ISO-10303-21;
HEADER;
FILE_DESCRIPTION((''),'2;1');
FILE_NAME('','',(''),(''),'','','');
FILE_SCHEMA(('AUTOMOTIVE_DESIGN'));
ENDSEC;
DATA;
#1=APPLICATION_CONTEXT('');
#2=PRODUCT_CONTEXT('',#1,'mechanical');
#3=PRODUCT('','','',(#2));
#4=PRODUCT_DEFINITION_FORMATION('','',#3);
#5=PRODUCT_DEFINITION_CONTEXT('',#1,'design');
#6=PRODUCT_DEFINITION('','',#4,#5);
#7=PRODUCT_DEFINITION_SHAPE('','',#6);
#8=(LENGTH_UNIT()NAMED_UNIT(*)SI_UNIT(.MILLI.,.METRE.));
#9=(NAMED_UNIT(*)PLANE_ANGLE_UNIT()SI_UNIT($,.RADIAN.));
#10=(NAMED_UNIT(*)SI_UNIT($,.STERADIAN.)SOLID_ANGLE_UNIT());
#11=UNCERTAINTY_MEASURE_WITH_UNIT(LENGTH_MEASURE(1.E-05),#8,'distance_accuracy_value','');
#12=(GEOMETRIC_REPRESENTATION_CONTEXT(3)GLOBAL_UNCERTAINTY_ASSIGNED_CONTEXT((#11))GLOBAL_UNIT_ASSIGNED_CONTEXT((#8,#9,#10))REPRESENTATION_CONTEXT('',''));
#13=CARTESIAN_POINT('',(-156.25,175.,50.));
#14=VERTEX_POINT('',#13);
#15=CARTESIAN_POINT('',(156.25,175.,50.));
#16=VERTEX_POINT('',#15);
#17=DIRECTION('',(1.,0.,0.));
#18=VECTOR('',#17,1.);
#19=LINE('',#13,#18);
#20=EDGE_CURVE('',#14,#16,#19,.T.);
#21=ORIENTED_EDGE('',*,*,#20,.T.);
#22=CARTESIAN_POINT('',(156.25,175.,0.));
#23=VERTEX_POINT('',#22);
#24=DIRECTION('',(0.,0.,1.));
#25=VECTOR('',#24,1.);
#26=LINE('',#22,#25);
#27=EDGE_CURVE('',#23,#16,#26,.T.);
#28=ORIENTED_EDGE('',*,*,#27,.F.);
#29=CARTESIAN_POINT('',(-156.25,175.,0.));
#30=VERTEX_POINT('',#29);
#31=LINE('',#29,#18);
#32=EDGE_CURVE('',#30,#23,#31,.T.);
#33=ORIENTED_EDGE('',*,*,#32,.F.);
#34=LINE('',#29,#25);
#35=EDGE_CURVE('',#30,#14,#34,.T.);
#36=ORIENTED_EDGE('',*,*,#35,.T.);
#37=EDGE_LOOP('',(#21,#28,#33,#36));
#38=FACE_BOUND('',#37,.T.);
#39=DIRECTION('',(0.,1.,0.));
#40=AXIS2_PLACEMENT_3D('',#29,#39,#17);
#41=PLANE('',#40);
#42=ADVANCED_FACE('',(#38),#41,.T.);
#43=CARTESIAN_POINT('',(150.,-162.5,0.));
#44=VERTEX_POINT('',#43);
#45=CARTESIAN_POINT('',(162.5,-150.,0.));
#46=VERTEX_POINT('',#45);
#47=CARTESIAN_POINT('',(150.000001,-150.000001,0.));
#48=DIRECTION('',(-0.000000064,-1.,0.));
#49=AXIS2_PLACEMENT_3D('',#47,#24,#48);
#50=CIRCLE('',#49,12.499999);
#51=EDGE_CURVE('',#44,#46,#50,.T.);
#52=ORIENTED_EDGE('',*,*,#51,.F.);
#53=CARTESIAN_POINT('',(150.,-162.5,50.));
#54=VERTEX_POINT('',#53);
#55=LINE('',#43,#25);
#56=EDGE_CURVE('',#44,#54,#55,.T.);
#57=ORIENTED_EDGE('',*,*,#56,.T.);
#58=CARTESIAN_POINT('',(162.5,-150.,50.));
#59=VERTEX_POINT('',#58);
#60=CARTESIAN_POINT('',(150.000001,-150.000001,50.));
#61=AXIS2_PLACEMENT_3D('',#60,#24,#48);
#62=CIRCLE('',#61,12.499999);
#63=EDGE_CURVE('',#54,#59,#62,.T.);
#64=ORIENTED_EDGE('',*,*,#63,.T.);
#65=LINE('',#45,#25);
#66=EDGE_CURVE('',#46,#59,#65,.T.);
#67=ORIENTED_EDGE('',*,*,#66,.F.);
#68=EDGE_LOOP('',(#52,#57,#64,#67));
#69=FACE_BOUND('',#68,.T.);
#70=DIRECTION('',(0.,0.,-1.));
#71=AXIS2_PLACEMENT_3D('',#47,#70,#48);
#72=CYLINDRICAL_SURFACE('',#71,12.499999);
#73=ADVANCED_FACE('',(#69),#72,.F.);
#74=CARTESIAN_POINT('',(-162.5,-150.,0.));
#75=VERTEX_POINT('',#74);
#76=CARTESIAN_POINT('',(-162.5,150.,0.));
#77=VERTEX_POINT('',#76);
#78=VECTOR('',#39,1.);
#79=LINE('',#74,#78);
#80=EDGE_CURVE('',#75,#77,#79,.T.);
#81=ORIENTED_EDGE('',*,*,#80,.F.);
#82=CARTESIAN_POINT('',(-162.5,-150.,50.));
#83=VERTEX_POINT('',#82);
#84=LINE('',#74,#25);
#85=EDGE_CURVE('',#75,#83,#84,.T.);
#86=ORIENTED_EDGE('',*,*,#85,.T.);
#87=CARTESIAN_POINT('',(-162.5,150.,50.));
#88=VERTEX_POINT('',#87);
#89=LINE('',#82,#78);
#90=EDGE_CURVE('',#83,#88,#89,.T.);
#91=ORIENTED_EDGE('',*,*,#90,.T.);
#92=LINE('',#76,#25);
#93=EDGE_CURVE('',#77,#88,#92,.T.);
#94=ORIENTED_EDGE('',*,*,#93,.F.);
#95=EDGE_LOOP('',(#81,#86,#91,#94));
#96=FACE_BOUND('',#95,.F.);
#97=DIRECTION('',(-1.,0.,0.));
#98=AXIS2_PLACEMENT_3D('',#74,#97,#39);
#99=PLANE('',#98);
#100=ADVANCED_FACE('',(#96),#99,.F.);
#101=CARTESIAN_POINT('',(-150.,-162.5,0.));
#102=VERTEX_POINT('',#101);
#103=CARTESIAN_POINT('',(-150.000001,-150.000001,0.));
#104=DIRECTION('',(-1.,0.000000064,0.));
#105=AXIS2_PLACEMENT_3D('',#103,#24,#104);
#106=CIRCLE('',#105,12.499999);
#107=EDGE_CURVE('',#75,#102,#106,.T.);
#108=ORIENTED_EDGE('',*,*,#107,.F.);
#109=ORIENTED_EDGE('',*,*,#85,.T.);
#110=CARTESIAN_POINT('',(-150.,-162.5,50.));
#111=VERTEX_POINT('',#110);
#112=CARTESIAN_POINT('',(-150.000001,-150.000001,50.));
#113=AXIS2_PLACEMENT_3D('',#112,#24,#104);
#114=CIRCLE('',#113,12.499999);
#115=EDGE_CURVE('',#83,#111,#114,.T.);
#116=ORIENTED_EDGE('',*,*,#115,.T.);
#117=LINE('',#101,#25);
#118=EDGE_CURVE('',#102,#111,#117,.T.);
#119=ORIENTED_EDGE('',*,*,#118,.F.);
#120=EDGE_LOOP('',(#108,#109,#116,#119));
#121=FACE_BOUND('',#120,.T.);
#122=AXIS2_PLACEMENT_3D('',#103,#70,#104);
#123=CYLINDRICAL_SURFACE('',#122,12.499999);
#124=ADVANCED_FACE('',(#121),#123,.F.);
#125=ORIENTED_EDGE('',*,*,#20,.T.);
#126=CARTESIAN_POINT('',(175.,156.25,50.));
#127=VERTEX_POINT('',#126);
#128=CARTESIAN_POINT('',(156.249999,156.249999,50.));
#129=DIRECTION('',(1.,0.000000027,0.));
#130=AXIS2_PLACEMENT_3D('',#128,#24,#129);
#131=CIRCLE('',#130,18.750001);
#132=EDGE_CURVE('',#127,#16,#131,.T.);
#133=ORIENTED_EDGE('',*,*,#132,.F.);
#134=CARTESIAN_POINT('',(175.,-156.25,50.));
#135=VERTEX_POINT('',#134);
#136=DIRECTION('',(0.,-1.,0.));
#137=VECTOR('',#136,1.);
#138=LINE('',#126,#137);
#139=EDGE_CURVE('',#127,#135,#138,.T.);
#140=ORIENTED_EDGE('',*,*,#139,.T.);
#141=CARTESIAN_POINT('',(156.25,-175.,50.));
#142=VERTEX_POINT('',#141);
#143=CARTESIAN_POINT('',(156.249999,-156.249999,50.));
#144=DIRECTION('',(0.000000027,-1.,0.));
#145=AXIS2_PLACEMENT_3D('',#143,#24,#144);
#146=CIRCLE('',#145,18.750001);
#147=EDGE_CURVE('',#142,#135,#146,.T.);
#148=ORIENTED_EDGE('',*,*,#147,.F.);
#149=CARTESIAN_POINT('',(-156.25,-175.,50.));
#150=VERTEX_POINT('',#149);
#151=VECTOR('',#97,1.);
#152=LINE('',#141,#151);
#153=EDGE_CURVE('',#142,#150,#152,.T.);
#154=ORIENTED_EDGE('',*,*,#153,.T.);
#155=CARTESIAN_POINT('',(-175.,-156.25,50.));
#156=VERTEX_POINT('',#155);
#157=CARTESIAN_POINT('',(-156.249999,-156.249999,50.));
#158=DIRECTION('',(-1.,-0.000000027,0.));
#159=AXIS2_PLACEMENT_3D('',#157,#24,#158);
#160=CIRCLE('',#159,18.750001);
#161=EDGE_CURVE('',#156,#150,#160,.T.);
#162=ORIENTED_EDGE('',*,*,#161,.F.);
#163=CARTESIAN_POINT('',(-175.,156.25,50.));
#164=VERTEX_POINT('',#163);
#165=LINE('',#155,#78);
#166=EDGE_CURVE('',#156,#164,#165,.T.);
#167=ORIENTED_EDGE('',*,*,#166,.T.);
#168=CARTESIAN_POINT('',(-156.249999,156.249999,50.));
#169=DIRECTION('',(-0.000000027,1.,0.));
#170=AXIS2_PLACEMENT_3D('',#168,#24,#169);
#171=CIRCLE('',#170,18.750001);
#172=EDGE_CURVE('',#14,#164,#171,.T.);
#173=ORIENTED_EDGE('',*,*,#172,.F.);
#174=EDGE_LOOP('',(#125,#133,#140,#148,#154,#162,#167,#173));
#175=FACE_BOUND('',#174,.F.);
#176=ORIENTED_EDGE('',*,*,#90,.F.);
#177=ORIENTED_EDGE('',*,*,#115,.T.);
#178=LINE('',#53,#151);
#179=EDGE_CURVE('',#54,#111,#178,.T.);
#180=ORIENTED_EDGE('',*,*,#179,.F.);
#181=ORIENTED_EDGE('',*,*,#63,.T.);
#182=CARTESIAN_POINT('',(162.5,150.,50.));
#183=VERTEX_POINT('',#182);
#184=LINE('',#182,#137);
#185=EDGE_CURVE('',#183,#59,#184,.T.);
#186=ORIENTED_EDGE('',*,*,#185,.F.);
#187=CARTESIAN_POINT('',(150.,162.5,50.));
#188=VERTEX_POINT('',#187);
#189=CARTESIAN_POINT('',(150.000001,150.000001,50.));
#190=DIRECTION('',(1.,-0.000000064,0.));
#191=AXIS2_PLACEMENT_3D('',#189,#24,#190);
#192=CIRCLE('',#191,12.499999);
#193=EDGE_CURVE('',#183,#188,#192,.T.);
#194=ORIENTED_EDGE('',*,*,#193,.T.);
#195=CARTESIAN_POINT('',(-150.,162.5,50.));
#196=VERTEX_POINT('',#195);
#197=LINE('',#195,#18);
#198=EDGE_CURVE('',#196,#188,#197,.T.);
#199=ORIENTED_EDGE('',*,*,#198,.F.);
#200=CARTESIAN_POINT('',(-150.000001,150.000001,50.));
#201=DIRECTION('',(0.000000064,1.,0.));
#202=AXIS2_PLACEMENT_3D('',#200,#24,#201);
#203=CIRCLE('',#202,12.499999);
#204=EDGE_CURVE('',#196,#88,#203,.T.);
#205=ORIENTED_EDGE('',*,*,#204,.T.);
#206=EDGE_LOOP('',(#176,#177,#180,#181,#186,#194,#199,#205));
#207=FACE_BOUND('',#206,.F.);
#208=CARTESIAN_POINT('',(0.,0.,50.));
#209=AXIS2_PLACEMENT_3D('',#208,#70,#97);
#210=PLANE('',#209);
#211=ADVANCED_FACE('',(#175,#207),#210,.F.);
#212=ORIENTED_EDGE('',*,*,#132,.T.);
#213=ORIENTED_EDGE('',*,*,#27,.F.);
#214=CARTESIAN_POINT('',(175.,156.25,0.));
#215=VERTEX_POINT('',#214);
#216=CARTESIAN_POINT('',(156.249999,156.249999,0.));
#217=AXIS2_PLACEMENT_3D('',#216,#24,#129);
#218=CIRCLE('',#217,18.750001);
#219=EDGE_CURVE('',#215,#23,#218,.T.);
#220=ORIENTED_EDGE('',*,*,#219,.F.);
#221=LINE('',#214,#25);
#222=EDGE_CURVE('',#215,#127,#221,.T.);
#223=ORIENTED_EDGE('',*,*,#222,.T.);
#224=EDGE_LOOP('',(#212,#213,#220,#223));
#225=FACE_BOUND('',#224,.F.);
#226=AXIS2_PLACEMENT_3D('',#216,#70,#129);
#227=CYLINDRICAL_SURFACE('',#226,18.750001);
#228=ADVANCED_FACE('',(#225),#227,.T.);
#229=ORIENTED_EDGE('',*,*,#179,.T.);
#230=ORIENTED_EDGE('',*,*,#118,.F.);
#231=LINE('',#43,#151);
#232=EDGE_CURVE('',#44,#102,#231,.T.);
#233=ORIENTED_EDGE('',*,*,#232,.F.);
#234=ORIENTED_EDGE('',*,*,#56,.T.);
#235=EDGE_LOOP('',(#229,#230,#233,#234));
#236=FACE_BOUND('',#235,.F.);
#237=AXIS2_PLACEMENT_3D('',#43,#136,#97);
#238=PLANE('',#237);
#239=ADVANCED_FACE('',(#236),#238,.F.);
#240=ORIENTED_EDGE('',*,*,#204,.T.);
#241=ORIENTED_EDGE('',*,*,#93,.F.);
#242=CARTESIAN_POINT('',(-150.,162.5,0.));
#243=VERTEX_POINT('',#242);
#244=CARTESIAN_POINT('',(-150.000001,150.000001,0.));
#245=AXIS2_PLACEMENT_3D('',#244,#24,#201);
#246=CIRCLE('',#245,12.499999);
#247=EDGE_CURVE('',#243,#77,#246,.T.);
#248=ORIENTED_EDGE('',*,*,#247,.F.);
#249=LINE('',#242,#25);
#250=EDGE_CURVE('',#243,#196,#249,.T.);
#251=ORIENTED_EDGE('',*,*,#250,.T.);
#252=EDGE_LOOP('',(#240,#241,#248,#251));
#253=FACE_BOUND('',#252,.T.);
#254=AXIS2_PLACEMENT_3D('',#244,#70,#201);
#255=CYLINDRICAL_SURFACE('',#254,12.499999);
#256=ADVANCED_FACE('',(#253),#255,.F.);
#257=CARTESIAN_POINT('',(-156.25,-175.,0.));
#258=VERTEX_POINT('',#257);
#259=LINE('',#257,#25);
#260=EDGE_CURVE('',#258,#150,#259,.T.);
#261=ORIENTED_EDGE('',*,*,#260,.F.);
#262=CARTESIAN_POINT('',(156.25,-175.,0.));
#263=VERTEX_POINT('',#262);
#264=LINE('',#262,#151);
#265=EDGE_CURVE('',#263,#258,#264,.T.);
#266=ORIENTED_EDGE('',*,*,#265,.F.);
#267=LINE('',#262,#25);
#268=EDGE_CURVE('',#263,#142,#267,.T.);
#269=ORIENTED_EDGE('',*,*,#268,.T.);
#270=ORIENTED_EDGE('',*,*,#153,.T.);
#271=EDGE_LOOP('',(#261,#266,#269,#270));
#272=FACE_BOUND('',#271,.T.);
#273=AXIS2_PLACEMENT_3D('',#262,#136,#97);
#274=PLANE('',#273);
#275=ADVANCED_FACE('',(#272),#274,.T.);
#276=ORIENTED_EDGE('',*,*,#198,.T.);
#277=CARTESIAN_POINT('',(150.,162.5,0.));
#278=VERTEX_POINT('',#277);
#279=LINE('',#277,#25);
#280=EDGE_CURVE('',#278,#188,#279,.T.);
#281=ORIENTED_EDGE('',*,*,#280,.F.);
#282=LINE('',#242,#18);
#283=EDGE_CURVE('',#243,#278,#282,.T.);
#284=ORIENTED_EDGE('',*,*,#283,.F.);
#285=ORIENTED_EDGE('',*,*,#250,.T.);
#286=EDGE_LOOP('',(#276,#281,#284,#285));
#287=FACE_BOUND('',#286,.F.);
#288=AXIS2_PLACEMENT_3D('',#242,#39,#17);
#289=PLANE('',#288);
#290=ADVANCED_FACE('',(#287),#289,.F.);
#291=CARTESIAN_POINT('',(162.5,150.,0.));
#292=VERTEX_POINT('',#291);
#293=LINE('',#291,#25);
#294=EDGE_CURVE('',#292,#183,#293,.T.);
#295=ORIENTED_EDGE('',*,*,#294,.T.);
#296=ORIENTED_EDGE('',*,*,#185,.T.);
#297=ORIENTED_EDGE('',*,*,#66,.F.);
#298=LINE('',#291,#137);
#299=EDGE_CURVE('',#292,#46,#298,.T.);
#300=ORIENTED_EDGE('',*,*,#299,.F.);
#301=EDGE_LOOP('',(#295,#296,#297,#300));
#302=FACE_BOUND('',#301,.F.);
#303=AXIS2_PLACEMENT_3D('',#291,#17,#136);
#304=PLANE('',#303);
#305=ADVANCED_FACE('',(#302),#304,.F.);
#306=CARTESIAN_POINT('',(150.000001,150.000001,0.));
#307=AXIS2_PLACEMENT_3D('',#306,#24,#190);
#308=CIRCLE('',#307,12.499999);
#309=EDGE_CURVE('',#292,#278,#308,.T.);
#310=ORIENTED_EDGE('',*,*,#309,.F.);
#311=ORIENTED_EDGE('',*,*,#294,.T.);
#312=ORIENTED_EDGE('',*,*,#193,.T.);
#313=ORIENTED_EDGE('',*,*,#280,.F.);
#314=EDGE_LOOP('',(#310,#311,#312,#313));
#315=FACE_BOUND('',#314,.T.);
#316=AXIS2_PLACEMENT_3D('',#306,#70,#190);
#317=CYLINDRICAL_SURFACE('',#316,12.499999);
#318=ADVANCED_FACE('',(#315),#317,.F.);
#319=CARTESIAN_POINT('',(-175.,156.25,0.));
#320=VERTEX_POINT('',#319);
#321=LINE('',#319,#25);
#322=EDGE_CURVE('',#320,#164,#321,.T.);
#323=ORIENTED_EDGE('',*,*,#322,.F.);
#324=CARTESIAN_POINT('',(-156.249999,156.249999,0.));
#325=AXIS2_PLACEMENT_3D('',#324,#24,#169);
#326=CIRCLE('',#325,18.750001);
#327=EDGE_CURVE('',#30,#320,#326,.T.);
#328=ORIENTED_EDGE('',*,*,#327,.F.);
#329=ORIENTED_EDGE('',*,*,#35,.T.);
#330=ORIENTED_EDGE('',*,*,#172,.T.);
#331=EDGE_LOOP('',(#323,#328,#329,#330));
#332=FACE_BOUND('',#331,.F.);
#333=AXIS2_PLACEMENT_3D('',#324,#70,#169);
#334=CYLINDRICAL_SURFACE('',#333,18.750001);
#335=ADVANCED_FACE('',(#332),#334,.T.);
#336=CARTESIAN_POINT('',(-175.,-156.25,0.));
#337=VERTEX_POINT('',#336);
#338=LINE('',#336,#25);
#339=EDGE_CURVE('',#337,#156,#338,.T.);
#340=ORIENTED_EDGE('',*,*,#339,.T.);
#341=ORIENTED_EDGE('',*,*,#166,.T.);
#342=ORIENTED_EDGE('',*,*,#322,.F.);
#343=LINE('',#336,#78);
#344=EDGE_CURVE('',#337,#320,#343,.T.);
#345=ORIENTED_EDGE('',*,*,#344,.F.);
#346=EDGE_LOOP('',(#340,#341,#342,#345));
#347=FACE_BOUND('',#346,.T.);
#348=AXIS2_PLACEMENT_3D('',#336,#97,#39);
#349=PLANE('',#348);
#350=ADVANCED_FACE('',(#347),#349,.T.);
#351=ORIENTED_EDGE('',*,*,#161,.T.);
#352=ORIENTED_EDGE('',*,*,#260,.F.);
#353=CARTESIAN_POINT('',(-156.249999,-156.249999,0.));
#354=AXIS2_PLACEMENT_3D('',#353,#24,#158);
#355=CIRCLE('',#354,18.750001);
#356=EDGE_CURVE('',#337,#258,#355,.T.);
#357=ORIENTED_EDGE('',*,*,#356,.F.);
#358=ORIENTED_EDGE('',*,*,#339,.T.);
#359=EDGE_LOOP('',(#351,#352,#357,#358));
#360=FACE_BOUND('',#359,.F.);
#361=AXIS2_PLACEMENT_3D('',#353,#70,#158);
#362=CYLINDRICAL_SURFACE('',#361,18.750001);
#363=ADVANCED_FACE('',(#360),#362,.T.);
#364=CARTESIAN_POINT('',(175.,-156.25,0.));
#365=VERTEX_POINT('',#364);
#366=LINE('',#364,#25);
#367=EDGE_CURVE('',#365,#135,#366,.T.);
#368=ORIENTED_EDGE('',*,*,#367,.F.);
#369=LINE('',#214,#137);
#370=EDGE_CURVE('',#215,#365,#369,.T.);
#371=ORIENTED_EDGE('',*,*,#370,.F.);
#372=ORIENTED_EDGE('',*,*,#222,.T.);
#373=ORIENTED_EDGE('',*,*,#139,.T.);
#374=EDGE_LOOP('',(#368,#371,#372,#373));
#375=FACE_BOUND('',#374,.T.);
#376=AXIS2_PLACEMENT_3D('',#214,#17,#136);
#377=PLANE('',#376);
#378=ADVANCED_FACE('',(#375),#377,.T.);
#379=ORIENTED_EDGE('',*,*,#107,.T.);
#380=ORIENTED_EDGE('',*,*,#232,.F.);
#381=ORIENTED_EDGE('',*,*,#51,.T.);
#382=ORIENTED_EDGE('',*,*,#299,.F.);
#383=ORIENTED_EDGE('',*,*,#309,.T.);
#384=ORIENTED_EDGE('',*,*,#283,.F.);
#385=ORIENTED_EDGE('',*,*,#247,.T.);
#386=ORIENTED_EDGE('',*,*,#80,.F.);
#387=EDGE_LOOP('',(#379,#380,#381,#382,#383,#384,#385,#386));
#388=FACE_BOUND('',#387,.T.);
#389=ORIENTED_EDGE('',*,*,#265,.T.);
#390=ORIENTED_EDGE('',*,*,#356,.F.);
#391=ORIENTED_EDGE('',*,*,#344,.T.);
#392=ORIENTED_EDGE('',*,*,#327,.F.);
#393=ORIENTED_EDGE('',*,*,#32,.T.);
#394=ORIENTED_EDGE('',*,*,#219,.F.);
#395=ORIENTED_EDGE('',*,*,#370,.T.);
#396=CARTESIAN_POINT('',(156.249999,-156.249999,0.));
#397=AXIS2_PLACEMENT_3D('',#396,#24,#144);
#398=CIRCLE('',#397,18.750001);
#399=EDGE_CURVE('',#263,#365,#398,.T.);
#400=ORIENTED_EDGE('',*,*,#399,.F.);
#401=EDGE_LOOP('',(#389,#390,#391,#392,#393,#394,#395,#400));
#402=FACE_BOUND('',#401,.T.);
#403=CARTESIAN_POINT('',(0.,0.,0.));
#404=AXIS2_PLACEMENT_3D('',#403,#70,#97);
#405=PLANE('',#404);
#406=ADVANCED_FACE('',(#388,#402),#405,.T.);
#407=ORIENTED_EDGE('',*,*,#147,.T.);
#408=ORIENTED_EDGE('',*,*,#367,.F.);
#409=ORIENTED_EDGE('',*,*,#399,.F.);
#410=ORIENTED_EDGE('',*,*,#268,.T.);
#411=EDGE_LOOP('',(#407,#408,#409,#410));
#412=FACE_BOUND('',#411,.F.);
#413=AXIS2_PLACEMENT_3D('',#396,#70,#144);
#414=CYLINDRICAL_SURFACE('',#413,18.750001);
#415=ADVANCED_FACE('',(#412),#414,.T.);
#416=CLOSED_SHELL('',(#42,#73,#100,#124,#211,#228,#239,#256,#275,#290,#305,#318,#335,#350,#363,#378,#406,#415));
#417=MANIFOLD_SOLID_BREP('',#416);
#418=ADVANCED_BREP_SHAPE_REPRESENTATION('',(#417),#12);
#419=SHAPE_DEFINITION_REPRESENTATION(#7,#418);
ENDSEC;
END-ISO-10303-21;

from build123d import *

# Parameters (mm, degrees)
EXTRUDE_DEPTH = 50


with BuildPart() as part:
    # Sketch → Extrude (new body)
    with BuildSketch(Plane.XY):
        with BuildLine():
            Line((-156.25, 175), (156.25, 175))
            ThreePointArc((175, 156.25), (169.508252, 169.508252), (156.25, 175))
            Line((175, 156.25), (175, -156.25))
            ThreePointArc((156.25, -175), (169.508252, -169.508252), (175, -156.25))
            Line((156.25, -175), (-156.25, -175))
            ThreePointArc((-175, -156.25), (-169.508252, -169.508252), (-156.25, -175))
            Line((-175, -156.25), (-175, 156.25))
            ThreePointArc((-156.25, 175), (-169.508252, 169.508252), (-175, 156.25))
        make_face()
        with BuildLine():
            Line((-150, 162.5), (150, 162.5))
            ThreePointArc((162.5, 150), (158.838835, 158.838835), (150, 162.5))
            Line((162.5, 150), (162.5, -150))
            ThreePointArc((150, -162.5), (158.838835, -158.838835), (162.5, -150))
            Line((150, -162.5), (-150, -162.5))
            ThreePointArc((-162.5, -150), (-158.838835, -158.838835), (-150, -162.5))
            Line((-162.5, -150), (-162.5, 150))
            ThreePointArc((-150, 162.5), (-158.838835, 158.838835), (-162.5, 150))
        make_face(mode=Mode.SUBTRACT)
    extrude(amount=EXTRUDE_DEPTH)


solid = part.part
